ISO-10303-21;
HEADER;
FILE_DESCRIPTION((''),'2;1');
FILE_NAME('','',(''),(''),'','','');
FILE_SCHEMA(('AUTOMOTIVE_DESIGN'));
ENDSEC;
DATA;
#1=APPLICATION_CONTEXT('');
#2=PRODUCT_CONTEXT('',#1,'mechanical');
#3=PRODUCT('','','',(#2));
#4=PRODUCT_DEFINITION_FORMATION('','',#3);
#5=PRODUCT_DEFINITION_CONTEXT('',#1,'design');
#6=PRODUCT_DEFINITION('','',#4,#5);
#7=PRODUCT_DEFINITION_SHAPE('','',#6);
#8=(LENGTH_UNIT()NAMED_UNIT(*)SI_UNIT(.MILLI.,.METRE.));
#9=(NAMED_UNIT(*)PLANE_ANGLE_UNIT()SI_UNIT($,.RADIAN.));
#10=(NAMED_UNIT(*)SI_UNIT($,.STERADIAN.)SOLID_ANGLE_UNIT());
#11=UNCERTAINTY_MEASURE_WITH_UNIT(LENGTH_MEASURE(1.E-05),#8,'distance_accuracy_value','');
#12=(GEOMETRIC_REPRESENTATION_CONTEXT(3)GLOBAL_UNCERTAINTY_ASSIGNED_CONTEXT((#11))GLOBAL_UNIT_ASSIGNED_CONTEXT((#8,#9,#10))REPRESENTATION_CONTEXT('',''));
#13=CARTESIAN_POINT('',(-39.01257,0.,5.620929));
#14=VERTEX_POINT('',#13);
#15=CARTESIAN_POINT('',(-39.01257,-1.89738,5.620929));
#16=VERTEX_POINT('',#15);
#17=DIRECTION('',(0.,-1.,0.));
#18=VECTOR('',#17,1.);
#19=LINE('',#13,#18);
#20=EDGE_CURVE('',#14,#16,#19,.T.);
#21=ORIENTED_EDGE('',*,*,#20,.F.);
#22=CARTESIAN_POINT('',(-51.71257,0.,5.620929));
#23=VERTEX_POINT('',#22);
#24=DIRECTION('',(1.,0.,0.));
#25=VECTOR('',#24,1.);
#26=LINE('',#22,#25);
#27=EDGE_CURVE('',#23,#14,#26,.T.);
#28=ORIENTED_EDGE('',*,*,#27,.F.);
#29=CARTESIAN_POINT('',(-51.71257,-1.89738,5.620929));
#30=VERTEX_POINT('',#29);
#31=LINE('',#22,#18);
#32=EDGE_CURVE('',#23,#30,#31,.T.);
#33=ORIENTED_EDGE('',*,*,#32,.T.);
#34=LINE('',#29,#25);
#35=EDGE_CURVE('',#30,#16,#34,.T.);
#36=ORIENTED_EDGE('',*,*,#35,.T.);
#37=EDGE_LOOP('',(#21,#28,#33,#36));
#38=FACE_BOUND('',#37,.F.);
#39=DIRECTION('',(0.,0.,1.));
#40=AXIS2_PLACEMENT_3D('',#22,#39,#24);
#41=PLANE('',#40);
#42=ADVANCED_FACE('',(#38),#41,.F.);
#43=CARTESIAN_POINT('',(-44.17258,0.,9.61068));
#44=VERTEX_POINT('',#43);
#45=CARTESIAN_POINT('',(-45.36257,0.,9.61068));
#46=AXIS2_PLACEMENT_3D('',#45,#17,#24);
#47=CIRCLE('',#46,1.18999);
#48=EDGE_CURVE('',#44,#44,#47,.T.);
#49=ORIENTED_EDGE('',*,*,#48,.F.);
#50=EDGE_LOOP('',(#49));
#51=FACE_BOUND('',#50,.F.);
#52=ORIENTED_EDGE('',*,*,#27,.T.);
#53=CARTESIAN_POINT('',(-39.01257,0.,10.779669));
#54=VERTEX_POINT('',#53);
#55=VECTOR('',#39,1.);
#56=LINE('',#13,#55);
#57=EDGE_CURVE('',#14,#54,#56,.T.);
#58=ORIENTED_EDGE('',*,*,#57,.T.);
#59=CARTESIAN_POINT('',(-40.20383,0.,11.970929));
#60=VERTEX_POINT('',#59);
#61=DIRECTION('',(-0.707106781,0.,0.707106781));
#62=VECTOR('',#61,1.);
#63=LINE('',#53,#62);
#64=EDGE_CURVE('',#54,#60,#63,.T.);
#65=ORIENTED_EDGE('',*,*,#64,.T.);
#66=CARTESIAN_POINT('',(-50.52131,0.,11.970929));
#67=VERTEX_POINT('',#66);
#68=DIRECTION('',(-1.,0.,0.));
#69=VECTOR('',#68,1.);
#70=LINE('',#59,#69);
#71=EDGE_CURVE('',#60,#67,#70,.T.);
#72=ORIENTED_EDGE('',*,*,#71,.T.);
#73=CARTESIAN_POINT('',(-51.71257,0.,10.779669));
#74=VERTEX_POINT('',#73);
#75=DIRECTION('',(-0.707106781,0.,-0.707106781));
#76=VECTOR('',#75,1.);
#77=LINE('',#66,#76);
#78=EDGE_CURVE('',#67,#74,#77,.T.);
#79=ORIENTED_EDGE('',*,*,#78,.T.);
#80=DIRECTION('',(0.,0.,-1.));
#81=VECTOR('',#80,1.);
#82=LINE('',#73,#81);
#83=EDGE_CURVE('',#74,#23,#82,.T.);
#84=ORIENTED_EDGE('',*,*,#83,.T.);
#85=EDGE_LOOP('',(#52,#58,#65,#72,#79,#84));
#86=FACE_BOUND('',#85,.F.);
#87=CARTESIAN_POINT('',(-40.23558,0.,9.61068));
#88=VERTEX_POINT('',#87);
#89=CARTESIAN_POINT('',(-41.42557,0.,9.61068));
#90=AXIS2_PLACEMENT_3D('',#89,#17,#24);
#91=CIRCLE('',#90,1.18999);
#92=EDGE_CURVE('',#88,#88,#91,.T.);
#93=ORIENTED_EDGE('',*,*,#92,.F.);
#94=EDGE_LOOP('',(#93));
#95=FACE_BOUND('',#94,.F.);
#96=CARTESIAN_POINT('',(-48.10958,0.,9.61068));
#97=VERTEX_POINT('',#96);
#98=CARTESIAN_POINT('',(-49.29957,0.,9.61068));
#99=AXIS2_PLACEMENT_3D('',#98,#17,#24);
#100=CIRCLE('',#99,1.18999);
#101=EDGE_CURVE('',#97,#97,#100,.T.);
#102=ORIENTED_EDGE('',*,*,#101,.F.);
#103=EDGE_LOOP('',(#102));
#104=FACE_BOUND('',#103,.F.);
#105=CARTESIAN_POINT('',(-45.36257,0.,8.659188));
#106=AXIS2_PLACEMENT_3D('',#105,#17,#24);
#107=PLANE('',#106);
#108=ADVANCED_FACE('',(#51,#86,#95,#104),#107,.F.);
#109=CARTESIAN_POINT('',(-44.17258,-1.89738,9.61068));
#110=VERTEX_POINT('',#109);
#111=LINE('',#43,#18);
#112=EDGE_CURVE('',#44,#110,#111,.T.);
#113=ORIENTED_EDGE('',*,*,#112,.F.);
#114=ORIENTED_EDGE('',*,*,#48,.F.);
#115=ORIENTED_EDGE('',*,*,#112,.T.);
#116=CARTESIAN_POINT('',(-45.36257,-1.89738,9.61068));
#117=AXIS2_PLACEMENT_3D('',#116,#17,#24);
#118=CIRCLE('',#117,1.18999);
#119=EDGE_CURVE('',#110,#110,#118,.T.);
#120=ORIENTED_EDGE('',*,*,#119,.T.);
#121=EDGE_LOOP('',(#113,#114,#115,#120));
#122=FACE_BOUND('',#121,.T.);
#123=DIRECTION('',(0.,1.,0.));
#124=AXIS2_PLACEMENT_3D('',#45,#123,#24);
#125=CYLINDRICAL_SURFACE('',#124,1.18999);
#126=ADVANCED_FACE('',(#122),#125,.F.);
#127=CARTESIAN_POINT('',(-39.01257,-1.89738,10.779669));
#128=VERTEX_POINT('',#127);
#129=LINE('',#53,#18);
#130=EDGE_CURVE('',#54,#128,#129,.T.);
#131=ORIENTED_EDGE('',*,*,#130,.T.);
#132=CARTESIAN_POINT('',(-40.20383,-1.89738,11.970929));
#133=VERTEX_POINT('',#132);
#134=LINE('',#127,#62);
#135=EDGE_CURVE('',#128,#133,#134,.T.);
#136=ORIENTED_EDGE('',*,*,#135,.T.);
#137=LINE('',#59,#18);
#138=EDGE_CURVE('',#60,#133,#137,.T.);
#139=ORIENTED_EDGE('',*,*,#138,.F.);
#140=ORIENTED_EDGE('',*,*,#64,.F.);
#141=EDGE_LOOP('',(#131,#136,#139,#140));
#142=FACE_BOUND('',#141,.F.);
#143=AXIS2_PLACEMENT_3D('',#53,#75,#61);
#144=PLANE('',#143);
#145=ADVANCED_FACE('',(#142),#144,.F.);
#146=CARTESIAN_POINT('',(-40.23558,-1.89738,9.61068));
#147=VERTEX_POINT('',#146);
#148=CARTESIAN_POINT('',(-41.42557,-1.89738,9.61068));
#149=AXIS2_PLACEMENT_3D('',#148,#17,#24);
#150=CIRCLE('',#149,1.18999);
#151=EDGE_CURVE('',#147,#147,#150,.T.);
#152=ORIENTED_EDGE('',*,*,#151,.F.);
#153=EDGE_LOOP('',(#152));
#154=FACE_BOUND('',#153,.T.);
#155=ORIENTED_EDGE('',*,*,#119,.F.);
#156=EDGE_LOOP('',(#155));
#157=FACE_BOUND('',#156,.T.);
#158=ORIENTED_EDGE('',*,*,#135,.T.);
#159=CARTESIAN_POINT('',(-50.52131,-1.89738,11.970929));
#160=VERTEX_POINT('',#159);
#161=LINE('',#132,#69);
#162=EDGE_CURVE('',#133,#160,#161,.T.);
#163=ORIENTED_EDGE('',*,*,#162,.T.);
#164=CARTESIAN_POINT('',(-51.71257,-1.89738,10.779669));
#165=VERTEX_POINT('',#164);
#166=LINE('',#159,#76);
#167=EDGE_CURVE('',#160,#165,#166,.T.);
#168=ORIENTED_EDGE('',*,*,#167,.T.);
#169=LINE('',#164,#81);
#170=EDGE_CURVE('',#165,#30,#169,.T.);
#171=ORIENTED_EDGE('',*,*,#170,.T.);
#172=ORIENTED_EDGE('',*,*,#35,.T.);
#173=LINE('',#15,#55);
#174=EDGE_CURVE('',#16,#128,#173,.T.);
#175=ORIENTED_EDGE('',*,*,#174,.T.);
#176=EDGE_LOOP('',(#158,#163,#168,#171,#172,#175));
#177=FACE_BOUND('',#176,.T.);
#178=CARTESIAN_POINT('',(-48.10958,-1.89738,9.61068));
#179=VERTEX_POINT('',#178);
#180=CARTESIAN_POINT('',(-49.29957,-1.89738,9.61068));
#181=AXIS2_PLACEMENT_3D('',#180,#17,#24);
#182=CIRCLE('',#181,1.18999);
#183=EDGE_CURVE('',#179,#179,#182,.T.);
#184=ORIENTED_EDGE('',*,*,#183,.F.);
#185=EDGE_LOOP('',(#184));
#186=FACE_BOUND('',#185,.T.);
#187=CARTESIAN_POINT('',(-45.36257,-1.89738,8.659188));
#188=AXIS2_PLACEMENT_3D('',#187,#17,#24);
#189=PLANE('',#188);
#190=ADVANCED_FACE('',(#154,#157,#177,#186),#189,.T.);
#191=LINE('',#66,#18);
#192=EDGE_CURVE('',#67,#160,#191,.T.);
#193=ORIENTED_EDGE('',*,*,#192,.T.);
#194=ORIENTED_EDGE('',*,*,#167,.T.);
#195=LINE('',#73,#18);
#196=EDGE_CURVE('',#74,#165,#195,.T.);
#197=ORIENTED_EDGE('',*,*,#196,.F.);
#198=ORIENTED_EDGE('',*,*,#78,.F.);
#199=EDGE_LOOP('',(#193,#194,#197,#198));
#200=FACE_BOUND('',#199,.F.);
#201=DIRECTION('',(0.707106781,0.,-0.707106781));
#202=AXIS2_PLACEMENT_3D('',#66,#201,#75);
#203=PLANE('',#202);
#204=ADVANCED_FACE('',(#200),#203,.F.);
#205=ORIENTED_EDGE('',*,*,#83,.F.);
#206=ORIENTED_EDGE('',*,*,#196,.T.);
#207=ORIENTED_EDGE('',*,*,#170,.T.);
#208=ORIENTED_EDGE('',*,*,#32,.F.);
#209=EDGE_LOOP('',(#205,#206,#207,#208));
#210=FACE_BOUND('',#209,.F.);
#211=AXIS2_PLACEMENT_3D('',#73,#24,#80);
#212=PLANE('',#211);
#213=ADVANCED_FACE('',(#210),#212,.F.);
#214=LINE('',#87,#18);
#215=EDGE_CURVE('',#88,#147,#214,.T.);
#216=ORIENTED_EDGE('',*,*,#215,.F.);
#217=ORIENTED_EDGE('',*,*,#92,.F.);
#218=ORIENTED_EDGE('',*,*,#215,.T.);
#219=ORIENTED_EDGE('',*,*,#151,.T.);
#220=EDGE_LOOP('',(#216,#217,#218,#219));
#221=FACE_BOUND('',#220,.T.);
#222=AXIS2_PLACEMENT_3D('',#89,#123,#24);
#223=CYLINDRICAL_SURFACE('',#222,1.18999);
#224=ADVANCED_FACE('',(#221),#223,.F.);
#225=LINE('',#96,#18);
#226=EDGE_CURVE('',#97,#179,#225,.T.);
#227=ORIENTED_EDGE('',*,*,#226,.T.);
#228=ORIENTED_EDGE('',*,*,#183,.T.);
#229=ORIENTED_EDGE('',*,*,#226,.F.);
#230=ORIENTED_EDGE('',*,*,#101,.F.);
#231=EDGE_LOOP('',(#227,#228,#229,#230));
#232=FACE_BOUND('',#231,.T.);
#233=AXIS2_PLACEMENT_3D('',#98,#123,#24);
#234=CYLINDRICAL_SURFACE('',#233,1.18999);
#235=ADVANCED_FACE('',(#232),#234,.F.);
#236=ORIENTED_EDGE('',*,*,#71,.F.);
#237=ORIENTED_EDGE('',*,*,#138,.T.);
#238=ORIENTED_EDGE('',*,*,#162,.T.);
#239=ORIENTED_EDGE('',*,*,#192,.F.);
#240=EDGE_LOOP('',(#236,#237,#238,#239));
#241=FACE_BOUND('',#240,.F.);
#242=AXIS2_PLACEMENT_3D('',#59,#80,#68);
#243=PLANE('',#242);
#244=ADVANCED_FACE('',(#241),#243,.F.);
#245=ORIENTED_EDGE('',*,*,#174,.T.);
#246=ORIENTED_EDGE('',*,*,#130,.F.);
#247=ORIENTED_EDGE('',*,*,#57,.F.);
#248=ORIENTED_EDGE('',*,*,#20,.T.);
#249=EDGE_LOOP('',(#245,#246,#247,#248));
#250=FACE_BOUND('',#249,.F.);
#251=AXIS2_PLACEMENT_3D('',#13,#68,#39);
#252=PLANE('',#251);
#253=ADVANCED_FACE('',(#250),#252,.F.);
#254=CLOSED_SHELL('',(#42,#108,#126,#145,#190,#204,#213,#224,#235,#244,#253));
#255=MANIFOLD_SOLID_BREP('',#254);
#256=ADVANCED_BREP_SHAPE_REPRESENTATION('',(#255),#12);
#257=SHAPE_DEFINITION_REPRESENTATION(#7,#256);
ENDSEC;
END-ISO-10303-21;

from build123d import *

# Parameters (mm, degrees)
F0_R     = 1.18999
F1_DEPTH = 1.89738


with BuildPart() as f1:
    # F0 (on Front) → F1 (new body)
    with BuildSketch(Plane.XZ):
        Polygon((-40.20383, 11.970929), (-50.52131, 11.970929), (-51.71257, 10.779669), (-51.71257, 5.620929), (-39.01257, 5.620929), (-39.01257, 10.779669), align=None)
        with Locations((-49.29957, 9.61068)):
            Circle(F0_R, mode=Mode.SUBTRACT)
        with Locations((-45.36257, 9.61068)):
            Circle(F0_R, mode=Mode.SUBTRACT)
        with Locations((-41.42557, 9.61068)):
            Circle(F0_R, mode=Mode.SUBTRACT)
    extrude(amount=F1_DEPTH)


solid = f1.part
